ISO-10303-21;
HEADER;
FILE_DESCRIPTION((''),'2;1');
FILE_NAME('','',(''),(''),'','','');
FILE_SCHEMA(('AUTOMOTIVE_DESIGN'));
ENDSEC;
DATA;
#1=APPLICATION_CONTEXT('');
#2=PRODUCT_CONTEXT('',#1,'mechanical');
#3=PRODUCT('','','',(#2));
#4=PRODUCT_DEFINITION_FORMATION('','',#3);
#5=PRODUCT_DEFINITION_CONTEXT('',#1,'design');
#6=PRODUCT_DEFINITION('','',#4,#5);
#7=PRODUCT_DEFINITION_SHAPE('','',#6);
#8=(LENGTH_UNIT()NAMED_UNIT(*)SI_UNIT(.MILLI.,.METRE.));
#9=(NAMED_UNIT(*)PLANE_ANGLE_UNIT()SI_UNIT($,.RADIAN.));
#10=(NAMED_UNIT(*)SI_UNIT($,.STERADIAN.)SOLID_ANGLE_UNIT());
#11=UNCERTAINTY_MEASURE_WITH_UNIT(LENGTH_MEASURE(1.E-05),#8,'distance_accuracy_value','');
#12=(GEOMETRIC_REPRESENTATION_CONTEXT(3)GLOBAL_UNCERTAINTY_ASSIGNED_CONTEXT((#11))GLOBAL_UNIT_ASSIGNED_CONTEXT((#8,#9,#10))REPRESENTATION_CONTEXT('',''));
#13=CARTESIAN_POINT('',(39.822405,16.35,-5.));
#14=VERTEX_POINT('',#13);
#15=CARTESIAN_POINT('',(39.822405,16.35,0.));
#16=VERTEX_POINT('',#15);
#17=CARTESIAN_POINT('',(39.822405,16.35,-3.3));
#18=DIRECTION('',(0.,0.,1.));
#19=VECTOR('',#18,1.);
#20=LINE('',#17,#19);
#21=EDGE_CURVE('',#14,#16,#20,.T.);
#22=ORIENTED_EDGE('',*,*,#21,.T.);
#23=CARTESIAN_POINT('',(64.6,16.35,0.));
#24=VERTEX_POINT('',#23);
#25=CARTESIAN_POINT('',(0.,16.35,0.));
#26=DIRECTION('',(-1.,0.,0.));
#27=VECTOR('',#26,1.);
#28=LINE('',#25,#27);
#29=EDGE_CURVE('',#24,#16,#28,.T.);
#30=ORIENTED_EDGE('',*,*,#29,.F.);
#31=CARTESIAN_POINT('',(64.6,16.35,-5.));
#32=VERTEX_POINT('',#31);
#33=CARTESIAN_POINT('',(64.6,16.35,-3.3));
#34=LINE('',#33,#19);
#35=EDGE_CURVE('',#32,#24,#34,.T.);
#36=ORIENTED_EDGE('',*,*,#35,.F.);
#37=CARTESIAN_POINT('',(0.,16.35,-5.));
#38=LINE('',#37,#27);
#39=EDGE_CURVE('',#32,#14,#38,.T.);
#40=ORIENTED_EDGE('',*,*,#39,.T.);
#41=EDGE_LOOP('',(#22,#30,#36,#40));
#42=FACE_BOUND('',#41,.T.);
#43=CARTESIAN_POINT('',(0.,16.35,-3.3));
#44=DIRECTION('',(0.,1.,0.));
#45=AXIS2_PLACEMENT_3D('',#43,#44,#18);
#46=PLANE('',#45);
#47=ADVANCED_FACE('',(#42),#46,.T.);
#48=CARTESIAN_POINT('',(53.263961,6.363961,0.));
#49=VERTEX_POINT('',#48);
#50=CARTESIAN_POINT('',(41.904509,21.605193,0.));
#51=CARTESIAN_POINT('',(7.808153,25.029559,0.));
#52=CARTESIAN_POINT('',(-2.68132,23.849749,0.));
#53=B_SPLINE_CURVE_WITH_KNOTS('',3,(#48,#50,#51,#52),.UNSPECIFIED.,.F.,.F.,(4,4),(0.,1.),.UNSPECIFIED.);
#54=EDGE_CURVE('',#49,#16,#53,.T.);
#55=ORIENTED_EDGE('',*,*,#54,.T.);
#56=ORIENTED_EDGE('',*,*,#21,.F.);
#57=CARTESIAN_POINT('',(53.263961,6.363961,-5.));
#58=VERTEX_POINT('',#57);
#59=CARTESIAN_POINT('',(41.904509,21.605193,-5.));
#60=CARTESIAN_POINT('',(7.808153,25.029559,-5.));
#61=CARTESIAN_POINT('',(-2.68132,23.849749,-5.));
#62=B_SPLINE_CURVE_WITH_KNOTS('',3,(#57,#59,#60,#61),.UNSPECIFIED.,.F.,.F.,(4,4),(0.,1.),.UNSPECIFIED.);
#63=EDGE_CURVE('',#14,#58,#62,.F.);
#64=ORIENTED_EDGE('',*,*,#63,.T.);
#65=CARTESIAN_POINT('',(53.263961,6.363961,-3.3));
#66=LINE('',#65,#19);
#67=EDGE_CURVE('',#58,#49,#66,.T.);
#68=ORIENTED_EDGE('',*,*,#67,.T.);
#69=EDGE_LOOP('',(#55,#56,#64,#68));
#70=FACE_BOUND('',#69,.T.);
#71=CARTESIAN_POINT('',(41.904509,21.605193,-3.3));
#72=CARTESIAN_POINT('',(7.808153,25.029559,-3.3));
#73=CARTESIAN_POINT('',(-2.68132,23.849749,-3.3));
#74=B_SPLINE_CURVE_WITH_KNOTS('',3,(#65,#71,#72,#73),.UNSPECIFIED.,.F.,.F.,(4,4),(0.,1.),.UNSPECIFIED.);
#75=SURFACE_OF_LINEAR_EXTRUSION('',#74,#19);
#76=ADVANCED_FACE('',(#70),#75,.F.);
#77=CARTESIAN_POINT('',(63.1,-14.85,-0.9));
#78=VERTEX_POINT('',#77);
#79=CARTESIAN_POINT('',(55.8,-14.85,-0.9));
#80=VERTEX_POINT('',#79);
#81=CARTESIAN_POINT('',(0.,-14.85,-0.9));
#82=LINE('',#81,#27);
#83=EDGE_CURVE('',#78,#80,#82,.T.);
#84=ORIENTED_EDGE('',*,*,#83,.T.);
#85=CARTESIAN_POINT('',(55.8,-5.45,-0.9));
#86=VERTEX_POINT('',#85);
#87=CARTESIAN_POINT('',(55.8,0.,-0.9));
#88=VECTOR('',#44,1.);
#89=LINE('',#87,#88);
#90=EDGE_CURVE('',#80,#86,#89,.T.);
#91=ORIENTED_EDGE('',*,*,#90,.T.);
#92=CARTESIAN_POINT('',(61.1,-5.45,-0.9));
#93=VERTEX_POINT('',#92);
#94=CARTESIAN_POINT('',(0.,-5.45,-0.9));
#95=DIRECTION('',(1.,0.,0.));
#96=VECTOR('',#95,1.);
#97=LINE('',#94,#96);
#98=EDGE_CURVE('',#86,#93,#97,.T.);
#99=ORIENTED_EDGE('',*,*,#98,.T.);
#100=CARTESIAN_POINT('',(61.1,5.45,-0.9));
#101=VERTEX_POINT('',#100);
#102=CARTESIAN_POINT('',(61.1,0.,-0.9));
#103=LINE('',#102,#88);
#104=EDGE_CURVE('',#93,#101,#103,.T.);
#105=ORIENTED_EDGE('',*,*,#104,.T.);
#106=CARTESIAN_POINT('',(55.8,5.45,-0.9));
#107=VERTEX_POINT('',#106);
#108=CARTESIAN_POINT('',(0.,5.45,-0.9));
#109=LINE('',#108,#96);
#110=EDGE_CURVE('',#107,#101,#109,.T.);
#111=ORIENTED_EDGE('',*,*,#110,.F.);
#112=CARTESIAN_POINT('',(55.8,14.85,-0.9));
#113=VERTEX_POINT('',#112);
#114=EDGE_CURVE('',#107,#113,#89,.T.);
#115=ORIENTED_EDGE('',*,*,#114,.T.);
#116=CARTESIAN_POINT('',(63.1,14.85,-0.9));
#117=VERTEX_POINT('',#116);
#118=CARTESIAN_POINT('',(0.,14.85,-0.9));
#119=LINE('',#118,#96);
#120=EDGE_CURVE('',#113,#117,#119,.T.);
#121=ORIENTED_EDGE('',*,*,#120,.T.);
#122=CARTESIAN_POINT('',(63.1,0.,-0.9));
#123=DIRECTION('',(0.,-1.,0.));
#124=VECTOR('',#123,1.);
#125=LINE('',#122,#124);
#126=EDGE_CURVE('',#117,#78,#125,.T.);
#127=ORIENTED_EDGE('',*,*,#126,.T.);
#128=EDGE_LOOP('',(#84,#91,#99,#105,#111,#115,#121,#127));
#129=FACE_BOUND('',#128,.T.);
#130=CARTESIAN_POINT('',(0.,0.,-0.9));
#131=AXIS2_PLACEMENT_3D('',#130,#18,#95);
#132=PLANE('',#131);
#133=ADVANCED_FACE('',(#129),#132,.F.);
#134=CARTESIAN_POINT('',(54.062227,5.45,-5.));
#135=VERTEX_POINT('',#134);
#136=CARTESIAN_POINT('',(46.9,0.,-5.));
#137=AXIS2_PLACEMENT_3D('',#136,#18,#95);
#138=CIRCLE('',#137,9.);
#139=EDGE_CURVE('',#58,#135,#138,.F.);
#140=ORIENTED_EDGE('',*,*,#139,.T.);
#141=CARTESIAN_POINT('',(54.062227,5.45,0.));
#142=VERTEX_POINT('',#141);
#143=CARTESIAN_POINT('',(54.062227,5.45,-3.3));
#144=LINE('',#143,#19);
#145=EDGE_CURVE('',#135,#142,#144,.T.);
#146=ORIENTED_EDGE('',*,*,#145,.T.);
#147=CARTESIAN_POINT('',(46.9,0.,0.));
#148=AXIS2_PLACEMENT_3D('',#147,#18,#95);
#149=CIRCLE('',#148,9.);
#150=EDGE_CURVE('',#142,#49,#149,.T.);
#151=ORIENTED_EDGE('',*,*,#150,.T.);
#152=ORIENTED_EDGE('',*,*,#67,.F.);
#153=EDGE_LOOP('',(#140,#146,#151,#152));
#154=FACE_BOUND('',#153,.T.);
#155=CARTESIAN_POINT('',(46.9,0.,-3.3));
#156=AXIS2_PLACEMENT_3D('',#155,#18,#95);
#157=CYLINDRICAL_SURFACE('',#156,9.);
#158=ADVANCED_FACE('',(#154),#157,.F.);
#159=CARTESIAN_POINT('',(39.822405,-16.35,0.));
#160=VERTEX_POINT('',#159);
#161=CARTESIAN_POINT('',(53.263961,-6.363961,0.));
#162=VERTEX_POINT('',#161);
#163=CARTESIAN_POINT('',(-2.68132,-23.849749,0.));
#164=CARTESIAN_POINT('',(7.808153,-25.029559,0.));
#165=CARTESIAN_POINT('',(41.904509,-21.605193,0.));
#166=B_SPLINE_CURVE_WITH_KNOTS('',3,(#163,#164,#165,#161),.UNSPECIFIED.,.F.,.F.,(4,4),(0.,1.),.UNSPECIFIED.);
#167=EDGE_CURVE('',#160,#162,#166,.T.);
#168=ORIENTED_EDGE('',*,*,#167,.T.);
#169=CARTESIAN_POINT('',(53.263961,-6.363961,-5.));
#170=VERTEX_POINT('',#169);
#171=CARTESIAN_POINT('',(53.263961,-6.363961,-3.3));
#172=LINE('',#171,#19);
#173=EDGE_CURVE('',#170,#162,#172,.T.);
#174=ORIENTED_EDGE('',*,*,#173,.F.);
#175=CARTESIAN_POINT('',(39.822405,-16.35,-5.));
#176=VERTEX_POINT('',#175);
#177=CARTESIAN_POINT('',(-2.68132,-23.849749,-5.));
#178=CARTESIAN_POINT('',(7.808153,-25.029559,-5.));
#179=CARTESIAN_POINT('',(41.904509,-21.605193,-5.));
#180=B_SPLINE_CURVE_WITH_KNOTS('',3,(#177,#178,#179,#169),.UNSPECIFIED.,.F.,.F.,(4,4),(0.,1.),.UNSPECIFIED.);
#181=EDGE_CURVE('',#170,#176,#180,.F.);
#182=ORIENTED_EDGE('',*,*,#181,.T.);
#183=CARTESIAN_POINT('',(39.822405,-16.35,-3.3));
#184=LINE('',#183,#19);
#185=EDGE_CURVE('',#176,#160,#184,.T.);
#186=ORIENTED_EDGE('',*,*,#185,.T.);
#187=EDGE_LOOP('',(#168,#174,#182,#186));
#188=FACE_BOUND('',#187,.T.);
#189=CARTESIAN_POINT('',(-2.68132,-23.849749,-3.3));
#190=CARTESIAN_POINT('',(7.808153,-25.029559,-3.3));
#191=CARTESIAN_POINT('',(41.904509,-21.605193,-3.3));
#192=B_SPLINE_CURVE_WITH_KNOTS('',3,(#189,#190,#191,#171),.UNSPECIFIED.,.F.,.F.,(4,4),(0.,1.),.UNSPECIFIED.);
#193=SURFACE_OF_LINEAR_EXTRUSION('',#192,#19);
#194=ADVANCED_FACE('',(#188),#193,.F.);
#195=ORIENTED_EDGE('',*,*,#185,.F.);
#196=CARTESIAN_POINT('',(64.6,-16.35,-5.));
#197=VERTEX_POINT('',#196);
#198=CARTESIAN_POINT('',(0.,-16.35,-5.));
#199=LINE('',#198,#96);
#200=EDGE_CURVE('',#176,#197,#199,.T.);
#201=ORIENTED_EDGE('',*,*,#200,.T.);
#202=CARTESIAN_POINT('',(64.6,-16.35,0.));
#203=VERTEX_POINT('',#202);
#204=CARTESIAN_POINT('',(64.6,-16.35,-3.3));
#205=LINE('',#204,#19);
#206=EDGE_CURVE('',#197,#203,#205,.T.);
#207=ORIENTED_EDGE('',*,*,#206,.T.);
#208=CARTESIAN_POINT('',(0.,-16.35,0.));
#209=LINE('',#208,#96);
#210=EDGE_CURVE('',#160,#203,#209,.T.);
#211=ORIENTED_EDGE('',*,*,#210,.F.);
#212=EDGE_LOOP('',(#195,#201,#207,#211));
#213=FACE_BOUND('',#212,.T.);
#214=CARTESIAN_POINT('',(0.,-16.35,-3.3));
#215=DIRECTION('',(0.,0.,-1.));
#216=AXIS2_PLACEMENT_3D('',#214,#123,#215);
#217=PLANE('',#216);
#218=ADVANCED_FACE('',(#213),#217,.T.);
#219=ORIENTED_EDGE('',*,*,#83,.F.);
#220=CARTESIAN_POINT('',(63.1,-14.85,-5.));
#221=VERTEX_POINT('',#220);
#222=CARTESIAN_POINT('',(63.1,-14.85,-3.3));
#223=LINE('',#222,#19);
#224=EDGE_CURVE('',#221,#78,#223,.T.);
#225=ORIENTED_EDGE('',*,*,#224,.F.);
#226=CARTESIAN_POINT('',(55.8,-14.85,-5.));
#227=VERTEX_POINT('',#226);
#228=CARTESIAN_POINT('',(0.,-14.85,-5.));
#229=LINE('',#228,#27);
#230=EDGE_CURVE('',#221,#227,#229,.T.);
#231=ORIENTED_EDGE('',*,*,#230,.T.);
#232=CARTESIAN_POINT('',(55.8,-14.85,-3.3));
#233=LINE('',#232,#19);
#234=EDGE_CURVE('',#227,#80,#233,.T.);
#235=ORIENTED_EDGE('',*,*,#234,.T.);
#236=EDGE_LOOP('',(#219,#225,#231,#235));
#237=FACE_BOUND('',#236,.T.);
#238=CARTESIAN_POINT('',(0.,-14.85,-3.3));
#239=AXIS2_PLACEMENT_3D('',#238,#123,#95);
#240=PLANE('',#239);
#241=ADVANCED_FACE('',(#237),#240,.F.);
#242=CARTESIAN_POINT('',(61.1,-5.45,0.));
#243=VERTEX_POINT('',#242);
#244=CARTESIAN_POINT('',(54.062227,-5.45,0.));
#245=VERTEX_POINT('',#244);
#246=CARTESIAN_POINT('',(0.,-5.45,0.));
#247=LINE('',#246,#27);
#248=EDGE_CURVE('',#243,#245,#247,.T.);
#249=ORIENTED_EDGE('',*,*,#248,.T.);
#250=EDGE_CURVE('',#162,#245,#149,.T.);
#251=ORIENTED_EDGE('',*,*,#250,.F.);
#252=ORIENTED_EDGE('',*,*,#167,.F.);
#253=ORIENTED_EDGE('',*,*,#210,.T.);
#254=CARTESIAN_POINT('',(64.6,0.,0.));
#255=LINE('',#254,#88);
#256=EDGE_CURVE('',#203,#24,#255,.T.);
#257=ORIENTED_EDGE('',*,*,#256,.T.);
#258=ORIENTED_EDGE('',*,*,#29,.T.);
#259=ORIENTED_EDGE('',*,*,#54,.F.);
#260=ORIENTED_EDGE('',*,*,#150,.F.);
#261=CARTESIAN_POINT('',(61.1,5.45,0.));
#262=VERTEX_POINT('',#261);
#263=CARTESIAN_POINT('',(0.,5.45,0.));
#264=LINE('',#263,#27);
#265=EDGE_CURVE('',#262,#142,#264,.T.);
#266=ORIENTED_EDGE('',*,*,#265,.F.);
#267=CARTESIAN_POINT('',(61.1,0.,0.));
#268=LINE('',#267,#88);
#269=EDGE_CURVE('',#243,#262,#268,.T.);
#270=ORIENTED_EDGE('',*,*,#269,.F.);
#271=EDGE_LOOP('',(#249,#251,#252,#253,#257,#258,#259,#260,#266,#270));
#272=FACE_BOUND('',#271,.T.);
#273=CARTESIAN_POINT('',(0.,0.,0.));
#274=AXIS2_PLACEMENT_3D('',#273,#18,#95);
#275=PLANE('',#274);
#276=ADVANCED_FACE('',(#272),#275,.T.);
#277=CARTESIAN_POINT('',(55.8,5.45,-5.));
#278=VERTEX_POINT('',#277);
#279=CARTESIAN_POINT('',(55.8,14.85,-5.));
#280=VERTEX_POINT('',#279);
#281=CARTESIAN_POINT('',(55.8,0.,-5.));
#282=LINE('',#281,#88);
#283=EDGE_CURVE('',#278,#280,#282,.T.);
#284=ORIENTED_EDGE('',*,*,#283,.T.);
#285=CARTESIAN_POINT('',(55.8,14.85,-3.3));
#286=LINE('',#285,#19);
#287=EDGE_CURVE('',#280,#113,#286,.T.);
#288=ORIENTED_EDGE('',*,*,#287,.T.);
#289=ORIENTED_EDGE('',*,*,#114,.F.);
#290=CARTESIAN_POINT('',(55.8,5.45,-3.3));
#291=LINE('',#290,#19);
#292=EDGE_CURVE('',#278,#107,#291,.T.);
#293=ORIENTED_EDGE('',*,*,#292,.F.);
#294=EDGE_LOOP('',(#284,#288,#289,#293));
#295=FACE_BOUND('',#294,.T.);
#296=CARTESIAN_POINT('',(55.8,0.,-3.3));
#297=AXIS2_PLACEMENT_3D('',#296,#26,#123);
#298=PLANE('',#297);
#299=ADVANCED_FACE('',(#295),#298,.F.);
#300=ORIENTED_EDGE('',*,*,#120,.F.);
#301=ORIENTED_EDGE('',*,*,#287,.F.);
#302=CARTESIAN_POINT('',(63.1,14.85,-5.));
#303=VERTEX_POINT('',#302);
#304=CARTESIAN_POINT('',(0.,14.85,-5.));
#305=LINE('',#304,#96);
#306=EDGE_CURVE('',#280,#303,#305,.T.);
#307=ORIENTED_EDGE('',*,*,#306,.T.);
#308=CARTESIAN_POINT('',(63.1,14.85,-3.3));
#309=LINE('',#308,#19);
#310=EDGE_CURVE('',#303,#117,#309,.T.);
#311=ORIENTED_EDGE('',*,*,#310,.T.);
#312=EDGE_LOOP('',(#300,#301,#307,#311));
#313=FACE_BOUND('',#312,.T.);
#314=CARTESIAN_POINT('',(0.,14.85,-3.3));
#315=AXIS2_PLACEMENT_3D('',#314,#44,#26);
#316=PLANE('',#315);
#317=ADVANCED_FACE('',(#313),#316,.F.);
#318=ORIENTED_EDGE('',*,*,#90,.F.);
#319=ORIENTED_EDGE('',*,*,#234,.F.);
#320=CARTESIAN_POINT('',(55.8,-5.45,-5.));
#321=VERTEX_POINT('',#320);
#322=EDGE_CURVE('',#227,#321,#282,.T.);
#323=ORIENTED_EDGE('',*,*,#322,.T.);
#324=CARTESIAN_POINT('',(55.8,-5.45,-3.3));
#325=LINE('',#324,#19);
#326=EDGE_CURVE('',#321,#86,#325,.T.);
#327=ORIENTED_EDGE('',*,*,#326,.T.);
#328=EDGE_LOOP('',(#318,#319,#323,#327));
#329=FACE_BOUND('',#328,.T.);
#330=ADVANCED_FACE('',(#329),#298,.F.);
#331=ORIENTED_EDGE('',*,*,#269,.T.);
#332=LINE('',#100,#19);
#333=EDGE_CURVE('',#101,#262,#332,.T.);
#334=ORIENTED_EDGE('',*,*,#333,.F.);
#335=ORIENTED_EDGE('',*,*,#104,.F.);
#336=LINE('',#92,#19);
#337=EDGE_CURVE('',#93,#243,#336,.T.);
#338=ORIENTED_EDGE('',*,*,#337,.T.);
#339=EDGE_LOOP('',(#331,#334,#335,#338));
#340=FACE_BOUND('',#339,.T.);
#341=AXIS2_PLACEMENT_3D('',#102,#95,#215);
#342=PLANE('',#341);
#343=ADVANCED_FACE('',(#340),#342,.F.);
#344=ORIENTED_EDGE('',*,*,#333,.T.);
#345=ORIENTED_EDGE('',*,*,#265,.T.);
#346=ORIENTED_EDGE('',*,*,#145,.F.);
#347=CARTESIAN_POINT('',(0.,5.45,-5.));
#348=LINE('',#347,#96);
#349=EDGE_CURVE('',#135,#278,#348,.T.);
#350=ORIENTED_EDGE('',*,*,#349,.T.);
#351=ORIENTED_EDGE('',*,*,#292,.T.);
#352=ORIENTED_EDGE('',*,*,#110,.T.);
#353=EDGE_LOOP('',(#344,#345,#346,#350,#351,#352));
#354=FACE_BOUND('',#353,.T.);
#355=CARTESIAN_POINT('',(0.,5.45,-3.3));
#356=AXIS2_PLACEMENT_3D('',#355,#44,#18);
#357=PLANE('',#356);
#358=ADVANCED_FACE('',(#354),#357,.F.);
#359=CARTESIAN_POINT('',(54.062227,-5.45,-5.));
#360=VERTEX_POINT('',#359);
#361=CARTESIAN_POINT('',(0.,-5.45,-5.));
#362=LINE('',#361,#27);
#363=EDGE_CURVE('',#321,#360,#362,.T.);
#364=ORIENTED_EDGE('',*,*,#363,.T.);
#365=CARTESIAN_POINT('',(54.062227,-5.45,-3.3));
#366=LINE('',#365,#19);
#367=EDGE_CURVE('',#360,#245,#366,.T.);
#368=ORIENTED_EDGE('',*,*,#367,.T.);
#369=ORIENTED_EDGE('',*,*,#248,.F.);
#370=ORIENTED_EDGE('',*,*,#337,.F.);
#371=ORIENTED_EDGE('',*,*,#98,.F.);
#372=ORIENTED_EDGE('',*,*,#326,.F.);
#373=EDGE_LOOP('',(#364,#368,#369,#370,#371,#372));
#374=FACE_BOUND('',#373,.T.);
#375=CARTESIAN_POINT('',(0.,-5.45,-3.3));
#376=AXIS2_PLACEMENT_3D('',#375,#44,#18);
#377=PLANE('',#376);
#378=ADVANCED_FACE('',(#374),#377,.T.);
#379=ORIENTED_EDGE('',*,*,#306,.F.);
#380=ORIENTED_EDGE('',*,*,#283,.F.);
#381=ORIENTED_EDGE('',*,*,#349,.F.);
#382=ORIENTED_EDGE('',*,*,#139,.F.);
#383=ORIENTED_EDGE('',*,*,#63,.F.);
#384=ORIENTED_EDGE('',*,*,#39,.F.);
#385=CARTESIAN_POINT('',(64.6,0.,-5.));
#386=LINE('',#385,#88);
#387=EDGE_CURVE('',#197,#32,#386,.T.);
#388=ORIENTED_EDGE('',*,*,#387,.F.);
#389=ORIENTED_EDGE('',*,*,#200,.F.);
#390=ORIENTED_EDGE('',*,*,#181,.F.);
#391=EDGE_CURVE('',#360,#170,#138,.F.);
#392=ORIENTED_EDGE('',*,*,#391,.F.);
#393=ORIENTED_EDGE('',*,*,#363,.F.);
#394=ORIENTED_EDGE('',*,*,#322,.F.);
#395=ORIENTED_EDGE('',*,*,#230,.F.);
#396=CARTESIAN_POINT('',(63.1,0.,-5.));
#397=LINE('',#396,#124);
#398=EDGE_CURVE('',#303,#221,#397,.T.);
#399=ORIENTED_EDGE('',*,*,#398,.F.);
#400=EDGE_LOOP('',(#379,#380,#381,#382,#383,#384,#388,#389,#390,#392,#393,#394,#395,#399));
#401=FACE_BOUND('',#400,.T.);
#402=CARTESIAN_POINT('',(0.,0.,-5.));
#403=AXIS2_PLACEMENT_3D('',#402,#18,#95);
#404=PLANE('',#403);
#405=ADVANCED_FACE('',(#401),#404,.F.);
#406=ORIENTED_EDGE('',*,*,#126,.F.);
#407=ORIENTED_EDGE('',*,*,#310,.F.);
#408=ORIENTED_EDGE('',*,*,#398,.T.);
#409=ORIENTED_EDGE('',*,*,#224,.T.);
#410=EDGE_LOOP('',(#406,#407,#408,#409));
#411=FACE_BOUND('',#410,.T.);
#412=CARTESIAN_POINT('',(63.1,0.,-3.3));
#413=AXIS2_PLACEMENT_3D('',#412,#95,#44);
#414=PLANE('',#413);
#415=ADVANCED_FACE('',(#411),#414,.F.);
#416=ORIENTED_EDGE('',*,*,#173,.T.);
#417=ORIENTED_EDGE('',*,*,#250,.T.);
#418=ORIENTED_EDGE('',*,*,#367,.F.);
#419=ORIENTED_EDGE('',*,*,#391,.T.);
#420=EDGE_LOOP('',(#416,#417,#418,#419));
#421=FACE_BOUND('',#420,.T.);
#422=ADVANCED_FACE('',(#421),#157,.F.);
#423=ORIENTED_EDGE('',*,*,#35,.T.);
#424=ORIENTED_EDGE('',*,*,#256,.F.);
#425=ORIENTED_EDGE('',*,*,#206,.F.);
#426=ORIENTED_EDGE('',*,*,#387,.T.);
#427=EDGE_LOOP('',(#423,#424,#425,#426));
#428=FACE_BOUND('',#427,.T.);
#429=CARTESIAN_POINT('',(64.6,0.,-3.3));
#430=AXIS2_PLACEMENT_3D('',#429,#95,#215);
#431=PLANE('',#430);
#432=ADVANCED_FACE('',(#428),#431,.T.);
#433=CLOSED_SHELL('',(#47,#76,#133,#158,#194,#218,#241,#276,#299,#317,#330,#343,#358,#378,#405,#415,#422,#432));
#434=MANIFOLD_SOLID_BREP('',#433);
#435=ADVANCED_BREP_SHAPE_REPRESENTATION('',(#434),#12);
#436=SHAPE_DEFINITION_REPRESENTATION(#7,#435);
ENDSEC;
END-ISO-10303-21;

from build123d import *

# Parameters (mm, degrees)
BOSS_EXTRUDE1_DEPTH = 3.3
SKETCH2_W           = 2
SKETCH2_H           = 10.9
BOSS_EXTRUDE2_DEPTH = 0.9
BOSS_EXTRUDE3_DEPTH = 1.7


with BuildPart() as part:
    # Sketch1 → Boss-Extrude1 (new body)
    with BuildSketch(Plane.XY):
        with BuildLine():
            add(Edge.make_bspline(
                [(53.263961031, 6.363961031), (50.163311673, 10.524172065), (45.36862919, 13.803956999), (39.822404925, 16.35)],
                knots=[0, 0, 0, 0, 0.272957657, 0.272957657, 0.272957657, 0.272957657], degree=3))
            ThreePointArc((53.263961031, 6.363961031), (53.678515614, 5.92044982), (54.062227307, 5.45))
            Line((54.062227307, 5.45), (55.8, 5.45))
            Line((55.8, 5.45), (55.8, 14.85))
            Line((55.8, 14.85), (63.1, 14.85))
            Line((63.1, 14.85), (63.1, -14.85))
            Line((63.1, -14.85), (55.8, -14.85))
            Line((55.8, -14.85), (55.8, -5.45))
            Line((55.8, -5.45), (54.062227307, -5.45))
            ThreePointArc((54.062227307, -5.45), (53.678515614, -5.92044982), (53.263961031, -6.363961031))
            add(Edge.make_bspline(
                [(39.822404925, -16.35), (45.36862919, -13.803956999), (50.163311673, -10.524172065), (53.263961031, -6.363961031)],
                knots=[0.727042343, 0.727042343, 0.727042343, 0.727042343, 1, 1, 1, 1], degree=3))
            Line((39.822404925, -16.35), (64.6, -16.35))
            Line((64.6, -16.35), (64.6, 16.35))
            Line((64.6, 16.35), (39.822404925, 16.35))
        make_face()
    extrude(amount=-BOSS_EXTRUDE1_DEPTH)

    # Sketch2 → Boss-Extrude2 (add)
    with BuildSketch(Plane(origin=(0, 0, 0), x_dir=(-1, 0, 0), z_dir=(0, 0, -1))):
        Polygon((-61.1, -5.45), (-63.1, -5.45), (-63.1, -14.85), (-55.8, -14.85), (-55.8, -5.45), align=None)
        Polygon((-55.8, 5.45), (-55.8, 14.85), (-63.1, 14.85), (-63.1, 5.45), (-61.1, 5.45), align=None)
        with Locations((-62.1, 0)):
            Rectangle(SKETCH2_W, SKETCH2_H)
    extrude(amount=BOSS_EXTRUDE2_DEPTH)

    # Sketch3 → Boss-Extrude3 (add)
    with BuildSketch(Plane.XY.offset(-3.3)):
        with BuildLine():
            Line((54.062227307, 5.45), (55.8, 5.45))
            Line((55.8, 5.45), (55.8, 14.85))
            Line((55.8, 14.85), (63.1, 14.85))
            Line((63.1, 14.85), (63.1, -14.85))
            Line((63.1, -14.85), (55.8, -14.85))
            Line((55.8, -14.85), (55.8, -5.45))
            Line((55.8, -5.45), (54.062227307, -5.45))
            ThreePointArc((54.062227307, -5.45), (53.678515614, -5.92044982), (53.263961031, -6.363961031))
            add(Edge.make_bspline(
                [(53.263961031, -6.363961031), (50.163311673, -10.524172065), (45.36862919, -13.803956999), (39.822404925, -16.35)],
                knots=[0.727042343, 0.727042343, 0.727042343, 0.727042343, 1, 1, 1, 1], degree=3))
            Line((39.822404925, -16.35), (64.6, -16.35))
            Line((64.6, -16.35), (64.6, -15.05))
            Line((64.6, -15.05), (64.6, 15.05))
            Line((64.6, 15.05), (64.6, 16.35))
            Line((64.6, 16.35), (39.822404925, 16.35))
            add(Edge.make_bspline(
                [(39.822404925, 16.35), (45.36862919, 13.803956999), (50.163311673, 10.524172065), (53.263961031, 6.363961031)],
                knots=[0, 0, 0, 0, 0.272957657, 0.272957657, 0.272957657, 0.272957657], degree=3))
            ThreePointArc((53.263961031, 6.363961031), (53.678515614, 5.92044982), (54.062227307, 5.45))
        make_face()
    extrude(amount=-BOSS_EXTRUDE3_DEPTH)


solid = part.part
